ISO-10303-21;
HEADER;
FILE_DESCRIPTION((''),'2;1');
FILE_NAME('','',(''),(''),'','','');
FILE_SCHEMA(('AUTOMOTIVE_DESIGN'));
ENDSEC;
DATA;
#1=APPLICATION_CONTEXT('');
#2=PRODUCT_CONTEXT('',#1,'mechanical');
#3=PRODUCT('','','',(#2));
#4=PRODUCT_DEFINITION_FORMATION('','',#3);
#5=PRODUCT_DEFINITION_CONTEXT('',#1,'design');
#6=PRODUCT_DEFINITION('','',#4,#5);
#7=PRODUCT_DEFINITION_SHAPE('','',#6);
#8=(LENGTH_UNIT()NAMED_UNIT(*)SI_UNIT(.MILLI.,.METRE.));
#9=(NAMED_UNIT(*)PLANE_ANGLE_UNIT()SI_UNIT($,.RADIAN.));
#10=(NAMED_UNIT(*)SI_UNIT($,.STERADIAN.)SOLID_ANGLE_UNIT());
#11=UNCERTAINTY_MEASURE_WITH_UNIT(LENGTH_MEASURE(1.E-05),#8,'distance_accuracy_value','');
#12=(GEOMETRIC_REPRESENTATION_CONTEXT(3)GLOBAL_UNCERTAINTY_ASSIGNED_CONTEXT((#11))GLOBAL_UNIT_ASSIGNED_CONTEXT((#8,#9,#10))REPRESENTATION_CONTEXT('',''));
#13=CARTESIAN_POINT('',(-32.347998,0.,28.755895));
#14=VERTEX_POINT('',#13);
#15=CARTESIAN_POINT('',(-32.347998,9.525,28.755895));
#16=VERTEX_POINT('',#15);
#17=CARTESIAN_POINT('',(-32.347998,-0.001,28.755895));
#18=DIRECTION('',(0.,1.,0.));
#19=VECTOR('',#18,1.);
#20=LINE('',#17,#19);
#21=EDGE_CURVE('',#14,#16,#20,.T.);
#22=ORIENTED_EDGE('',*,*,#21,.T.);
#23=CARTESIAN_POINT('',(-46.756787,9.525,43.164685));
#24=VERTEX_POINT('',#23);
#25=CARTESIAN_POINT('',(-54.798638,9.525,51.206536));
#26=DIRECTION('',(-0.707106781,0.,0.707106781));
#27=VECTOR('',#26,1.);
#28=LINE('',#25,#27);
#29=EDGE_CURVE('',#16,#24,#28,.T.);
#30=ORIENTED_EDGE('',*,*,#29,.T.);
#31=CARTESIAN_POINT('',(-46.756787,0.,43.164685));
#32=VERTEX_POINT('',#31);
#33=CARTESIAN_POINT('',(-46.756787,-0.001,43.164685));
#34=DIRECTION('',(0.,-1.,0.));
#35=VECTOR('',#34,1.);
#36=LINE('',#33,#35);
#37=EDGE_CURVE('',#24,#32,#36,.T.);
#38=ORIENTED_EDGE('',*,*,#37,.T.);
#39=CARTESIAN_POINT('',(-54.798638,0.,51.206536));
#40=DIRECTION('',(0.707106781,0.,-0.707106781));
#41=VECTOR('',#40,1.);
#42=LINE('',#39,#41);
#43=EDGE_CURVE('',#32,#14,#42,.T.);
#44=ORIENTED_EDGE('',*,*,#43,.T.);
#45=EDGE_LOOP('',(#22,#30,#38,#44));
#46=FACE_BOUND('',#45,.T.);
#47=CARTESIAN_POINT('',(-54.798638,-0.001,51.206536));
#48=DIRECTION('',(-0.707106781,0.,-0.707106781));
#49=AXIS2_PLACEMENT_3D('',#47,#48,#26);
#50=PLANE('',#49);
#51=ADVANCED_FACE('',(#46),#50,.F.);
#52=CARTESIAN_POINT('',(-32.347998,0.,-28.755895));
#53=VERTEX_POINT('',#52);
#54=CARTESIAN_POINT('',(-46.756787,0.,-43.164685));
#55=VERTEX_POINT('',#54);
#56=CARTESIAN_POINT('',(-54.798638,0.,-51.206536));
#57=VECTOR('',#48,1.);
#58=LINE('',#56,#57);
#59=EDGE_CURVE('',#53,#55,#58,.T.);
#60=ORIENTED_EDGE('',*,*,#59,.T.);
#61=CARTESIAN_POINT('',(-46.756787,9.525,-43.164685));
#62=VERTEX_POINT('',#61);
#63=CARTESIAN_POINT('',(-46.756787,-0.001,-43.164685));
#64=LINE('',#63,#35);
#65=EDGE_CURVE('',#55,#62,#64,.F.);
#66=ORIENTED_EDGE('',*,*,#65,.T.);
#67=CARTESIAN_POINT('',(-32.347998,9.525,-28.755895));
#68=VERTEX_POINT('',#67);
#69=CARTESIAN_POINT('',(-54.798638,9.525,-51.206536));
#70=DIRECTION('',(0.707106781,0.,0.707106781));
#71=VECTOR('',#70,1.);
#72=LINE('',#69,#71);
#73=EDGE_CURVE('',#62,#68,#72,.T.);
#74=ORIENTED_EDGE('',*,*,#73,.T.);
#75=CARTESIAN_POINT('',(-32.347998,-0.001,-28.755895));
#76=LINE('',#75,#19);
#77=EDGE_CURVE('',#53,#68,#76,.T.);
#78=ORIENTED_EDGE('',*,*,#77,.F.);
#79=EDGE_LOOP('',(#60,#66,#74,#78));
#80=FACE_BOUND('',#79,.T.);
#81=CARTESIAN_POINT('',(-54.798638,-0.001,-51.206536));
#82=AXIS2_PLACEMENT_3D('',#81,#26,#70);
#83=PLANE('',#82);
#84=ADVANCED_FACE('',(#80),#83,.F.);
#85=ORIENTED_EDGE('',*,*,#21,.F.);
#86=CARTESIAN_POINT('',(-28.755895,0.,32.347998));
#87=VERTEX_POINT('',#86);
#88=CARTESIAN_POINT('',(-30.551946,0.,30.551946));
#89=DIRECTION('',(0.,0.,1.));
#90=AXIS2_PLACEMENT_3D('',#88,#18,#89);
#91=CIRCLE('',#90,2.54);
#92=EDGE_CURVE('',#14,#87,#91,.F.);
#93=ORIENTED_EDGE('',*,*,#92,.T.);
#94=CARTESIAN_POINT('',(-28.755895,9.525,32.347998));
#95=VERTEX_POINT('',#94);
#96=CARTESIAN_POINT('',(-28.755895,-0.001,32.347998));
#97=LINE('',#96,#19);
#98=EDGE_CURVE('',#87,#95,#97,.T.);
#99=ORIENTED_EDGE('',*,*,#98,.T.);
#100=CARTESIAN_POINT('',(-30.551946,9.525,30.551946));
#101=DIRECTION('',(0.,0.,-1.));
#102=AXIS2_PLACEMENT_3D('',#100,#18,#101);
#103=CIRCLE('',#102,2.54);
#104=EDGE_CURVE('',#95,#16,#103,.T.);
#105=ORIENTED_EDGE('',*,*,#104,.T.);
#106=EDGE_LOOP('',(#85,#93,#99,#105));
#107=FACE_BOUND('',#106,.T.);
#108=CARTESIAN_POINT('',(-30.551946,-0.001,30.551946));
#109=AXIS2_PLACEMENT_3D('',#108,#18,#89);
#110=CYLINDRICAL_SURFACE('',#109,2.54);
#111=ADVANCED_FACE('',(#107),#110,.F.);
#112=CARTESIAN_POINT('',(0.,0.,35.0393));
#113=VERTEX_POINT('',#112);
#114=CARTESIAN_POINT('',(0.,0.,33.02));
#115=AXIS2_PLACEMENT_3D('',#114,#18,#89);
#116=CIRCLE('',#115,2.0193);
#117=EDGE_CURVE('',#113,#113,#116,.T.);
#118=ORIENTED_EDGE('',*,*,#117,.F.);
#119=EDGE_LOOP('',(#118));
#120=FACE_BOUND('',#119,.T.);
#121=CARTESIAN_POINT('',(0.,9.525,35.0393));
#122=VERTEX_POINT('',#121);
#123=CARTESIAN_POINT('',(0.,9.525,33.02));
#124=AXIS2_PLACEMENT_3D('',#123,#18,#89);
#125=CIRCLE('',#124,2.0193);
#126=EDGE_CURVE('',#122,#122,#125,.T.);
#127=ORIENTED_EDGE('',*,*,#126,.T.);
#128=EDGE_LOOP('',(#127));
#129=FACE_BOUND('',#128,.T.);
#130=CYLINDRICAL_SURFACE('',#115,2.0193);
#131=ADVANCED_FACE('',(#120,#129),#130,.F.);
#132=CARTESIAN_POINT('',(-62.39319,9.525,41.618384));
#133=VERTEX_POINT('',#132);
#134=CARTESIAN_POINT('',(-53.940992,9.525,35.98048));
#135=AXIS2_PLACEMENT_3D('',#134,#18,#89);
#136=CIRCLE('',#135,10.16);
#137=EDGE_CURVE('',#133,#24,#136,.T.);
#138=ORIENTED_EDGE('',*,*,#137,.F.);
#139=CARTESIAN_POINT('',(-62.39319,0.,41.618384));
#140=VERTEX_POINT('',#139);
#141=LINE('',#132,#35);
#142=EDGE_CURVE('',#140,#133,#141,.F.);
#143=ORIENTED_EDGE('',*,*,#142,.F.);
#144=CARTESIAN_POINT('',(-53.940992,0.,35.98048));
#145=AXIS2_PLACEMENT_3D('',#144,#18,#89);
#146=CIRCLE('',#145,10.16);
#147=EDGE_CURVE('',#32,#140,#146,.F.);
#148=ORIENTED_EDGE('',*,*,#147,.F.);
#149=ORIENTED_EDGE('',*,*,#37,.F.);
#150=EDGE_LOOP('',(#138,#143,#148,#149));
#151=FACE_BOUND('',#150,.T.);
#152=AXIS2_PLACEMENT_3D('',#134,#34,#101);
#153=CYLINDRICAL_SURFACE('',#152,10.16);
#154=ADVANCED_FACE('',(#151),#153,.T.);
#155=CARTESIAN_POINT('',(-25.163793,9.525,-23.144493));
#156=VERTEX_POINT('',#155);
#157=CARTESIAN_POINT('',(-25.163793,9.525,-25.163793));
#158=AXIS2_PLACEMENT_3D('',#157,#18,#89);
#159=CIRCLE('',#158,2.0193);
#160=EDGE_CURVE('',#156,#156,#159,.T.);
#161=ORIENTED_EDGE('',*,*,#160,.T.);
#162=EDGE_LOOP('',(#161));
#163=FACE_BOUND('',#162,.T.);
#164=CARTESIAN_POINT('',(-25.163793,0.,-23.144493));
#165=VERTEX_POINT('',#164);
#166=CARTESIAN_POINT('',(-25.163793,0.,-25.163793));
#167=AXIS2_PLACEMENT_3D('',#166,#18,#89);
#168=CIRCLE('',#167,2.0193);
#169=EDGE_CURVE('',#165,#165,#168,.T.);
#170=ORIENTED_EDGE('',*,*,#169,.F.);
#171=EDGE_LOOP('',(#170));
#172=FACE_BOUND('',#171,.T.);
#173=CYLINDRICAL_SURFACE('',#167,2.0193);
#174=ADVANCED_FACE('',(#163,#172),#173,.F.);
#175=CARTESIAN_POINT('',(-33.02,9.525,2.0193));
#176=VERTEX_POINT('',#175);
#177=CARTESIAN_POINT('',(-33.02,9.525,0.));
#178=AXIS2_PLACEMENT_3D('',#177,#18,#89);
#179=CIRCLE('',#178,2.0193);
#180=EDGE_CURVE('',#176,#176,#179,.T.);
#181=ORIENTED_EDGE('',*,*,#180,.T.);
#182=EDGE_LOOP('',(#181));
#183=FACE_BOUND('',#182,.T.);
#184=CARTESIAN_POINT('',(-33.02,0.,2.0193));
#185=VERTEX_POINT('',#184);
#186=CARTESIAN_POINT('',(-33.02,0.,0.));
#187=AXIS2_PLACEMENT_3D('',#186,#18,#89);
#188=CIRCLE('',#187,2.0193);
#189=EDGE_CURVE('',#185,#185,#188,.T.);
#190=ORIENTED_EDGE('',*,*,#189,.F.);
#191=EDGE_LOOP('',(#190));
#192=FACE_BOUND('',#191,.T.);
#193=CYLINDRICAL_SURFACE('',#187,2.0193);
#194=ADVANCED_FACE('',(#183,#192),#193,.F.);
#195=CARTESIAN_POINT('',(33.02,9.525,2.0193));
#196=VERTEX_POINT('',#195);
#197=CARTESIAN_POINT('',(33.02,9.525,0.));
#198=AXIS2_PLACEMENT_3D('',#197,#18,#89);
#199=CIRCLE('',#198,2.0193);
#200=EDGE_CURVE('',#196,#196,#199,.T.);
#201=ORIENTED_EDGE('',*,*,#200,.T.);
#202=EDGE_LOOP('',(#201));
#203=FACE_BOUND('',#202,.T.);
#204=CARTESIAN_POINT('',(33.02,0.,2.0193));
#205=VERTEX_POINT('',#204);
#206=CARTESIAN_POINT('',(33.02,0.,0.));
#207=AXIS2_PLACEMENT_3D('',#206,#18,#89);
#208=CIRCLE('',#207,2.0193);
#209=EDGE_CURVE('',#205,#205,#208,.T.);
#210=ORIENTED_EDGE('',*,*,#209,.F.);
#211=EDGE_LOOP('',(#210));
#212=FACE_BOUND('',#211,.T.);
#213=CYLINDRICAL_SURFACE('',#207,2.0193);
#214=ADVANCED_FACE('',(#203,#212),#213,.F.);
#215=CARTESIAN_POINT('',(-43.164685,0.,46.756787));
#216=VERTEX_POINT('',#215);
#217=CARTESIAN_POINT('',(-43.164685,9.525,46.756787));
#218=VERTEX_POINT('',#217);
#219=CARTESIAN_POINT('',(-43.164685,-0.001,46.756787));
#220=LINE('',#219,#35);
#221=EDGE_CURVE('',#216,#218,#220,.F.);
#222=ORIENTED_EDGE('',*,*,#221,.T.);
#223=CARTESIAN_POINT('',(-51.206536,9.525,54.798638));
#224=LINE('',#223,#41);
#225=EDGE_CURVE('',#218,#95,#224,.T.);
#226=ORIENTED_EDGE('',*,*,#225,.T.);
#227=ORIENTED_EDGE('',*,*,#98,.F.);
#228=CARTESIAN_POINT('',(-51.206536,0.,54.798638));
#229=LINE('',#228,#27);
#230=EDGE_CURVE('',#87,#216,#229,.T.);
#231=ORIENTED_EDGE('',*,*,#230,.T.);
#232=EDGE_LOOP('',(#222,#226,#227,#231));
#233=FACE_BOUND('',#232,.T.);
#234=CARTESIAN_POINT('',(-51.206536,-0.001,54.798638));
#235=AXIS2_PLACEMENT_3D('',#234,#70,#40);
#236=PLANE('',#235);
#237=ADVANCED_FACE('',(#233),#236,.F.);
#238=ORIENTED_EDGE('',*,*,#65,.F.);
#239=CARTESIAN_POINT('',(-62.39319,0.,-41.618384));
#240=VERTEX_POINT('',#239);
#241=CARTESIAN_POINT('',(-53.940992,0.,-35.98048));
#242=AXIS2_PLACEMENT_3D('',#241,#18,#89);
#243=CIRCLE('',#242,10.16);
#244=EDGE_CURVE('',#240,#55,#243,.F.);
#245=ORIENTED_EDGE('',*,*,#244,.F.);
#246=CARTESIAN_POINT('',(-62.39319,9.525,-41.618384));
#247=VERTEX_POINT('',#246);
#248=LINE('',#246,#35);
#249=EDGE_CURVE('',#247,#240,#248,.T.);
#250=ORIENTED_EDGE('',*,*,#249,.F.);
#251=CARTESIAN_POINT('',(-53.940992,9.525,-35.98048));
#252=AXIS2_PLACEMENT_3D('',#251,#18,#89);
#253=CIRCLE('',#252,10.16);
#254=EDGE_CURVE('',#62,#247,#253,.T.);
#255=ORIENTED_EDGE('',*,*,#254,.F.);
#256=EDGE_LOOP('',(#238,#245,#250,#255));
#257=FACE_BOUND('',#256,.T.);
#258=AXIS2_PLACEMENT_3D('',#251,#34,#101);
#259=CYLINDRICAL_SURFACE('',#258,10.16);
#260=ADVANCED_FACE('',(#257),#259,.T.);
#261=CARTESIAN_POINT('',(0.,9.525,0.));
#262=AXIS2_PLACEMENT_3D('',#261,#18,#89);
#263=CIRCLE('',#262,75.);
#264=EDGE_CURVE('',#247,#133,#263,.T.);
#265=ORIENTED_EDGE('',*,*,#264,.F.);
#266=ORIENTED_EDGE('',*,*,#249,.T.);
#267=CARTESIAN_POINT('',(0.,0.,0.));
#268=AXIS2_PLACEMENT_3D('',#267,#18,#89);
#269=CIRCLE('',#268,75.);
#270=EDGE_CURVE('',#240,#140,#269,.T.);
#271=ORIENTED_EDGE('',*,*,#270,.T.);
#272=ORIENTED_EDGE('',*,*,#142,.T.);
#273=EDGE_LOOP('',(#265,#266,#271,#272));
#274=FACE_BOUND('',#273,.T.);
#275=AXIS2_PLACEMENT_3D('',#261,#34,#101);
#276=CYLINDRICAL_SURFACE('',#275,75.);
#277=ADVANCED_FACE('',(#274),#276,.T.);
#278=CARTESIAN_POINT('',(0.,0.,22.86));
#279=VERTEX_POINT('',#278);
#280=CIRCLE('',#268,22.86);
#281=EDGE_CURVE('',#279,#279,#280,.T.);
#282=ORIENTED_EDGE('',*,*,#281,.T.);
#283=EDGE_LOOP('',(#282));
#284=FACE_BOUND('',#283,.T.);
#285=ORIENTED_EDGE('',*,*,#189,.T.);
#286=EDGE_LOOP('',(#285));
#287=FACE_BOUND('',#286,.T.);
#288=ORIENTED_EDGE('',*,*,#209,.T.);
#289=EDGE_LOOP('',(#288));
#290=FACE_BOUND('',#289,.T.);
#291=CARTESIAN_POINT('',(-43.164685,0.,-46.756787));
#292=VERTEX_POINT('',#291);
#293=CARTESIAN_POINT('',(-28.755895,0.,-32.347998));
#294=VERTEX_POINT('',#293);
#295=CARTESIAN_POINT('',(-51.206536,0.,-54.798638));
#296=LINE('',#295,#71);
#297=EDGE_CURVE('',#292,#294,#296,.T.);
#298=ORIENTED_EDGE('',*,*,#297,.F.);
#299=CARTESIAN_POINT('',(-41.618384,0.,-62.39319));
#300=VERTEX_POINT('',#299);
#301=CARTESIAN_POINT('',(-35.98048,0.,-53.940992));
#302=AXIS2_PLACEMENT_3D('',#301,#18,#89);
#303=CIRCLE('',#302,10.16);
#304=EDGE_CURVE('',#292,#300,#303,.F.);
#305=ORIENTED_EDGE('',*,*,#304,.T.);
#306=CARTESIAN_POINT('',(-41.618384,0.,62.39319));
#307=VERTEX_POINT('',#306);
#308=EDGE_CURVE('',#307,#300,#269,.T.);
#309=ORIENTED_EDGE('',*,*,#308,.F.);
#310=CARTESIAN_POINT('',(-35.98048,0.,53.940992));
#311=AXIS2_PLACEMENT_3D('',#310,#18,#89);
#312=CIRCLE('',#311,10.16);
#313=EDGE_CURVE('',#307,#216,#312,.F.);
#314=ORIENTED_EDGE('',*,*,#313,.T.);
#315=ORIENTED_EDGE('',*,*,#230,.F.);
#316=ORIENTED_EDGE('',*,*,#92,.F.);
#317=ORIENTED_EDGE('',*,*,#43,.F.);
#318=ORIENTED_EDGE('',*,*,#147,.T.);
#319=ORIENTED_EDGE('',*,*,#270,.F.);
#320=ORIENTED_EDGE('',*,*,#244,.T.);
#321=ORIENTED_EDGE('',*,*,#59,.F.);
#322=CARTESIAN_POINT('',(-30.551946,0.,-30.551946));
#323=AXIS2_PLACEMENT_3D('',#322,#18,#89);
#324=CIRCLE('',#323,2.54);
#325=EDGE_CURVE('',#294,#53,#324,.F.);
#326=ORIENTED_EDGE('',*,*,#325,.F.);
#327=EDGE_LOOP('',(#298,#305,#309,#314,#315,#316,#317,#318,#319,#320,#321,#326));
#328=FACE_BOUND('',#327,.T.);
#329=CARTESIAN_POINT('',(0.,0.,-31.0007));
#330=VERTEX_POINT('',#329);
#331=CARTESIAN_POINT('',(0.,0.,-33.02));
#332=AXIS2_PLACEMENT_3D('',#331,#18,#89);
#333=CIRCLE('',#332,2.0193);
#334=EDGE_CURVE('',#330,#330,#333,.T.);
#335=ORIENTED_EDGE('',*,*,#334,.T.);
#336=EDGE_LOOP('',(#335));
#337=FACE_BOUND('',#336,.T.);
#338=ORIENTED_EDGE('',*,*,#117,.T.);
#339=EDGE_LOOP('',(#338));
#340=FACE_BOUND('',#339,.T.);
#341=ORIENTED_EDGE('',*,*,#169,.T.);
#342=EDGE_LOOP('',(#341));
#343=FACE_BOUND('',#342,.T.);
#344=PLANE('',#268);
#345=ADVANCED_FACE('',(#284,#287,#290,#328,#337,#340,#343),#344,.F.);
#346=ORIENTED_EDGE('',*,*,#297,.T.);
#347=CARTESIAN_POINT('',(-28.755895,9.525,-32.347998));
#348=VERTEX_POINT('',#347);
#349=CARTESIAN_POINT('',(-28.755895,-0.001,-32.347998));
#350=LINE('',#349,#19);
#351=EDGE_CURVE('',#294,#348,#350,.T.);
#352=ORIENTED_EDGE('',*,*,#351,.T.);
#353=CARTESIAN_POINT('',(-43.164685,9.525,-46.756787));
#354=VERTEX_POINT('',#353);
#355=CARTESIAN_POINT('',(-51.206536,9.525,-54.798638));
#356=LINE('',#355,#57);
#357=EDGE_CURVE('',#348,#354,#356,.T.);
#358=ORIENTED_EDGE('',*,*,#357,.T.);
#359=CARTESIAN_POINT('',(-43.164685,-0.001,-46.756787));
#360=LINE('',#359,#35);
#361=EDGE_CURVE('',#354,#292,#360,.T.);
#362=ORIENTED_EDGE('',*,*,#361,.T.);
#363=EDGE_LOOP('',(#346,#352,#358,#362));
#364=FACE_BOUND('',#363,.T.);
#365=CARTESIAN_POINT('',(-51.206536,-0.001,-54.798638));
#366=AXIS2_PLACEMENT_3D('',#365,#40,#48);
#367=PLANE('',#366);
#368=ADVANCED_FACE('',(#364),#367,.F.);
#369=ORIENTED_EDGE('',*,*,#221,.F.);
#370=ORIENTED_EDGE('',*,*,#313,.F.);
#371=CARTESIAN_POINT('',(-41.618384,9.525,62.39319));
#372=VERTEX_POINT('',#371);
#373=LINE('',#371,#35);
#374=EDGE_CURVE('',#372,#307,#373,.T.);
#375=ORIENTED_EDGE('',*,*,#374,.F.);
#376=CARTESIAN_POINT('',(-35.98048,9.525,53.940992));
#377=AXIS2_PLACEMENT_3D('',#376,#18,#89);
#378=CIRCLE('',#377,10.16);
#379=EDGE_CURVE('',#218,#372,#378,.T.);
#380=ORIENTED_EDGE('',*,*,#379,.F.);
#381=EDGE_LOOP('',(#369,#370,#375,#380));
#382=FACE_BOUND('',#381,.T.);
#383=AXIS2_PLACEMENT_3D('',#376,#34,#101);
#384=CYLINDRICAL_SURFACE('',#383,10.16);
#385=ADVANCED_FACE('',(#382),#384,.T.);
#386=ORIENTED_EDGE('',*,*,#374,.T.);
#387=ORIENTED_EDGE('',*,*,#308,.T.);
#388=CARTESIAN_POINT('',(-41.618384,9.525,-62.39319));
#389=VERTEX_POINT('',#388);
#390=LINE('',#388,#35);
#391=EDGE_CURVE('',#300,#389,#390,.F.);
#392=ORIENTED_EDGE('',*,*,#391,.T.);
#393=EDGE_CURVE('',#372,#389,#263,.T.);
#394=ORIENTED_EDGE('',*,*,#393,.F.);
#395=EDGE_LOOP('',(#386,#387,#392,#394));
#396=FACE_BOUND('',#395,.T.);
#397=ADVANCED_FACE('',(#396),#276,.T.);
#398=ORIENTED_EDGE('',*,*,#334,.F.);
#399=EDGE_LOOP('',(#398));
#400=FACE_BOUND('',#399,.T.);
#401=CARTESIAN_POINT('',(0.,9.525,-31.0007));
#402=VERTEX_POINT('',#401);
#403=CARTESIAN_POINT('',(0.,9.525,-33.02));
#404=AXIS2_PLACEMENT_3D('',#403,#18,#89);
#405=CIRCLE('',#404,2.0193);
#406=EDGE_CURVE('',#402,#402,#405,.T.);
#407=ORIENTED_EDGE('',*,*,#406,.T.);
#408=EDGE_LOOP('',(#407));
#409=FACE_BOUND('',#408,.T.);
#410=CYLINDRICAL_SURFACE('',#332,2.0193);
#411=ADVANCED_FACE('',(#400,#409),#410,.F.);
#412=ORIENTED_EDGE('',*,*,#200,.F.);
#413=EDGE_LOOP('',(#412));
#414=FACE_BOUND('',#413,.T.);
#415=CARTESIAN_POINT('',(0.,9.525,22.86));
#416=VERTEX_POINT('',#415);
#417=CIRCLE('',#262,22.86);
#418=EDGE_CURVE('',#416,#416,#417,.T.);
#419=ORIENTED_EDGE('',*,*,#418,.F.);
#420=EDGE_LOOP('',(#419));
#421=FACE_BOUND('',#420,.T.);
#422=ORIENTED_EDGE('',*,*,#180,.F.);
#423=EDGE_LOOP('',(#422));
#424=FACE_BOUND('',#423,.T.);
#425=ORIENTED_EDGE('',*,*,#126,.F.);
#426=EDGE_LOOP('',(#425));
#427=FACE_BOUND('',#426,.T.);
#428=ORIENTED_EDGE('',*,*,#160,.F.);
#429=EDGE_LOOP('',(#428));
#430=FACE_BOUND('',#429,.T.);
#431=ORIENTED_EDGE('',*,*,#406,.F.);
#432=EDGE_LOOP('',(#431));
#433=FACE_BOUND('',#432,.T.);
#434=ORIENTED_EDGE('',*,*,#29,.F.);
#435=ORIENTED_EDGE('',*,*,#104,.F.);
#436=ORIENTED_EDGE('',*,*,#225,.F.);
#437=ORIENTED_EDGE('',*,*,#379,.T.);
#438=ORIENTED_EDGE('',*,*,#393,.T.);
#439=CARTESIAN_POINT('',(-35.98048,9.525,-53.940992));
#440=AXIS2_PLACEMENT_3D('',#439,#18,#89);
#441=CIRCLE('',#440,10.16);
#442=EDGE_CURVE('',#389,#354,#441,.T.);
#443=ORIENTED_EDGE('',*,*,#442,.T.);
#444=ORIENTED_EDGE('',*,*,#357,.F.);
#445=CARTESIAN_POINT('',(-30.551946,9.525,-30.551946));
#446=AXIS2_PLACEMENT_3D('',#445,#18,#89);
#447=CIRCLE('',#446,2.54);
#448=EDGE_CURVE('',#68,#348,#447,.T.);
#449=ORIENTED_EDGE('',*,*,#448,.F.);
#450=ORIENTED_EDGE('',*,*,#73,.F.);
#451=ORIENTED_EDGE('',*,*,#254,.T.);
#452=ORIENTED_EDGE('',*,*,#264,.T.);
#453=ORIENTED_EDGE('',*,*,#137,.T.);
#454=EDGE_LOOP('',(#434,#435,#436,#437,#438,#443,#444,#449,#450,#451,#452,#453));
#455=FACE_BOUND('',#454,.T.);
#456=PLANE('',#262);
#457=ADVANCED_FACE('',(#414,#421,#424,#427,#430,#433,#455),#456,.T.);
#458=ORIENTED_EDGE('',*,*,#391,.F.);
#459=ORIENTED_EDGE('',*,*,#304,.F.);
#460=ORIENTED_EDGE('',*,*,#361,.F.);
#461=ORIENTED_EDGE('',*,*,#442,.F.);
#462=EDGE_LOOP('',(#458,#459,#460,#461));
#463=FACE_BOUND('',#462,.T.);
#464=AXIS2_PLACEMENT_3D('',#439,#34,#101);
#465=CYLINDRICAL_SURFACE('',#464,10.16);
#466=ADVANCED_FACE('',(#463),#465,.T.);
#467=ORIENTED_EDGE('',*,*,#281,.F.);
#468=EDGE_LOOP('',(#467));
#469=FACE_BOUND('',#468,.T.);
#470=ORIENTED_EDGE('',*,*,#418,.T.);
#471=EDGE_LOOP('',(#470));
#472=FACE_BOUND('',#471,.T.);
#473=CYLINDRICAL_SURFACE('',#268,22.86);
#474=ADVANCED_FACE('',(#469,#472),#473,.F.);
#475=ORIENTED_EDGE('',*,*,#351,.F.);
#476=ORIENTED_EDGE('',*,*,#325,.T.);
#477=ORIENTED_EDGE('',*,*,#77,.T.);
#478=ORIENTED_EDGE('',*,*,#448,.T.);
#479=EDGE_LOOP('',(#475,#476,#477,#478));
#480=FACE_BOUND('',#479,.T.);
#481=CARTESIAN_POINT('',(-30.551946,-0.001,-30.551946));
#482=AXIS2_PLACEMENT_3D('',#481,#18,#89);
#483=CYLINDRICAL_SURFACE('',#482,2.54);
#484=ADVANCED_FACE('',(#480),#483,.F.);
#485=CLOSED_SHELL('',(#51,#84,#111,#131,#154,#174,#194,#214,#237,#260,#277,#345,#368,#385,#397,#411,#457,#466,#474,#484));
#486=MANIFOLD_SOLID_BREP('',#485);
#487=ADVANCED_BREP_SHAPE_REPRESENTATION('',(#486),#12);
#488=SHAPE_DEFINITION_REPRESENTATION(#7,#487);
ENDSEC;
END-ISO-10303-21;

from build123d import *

# Parameters (mm, degrees)
SKETCH1_R           = 75
BOSS_EXTRUDE1_DEPTH = 9.525
CUT_EXTRUDE2_REACH  = 108.493
FILLET1_R           = 10.16
SKETCH39_R          = 22.86
SKETCH39_R_2        = 2.0193
CUT_EXTRUDE30_DEPTH = 247.31360274
SKETCH42_R          = 2.0193
CUT_EXTRUDE33_DEPTH = 247.31360274


with BuildPart() as part:
    # Sketch1 → Boss-Extrude1 (new body)
    with BuildSketch(Plane(origin=(0, 0, 0), x_dir=(1, 0, 0), z_dir=(0, 1, 0))):
        with Locations(Location((0, 0, 0), (0, 0, 90))):
            Circle(SKETCH1_R)
    extrude(amount=BOSS_EXTRUDE1_DEPTH)

    # Sketch11 → Cut-Extrude2 (cut, up to next)
    with BuildSketch(Plane(origin=(0, 9.525, 0), x_dir=(1, 0, 0), z_dir=(0, 1, 0)), mode=Mode.PRIVATE) as cut_extrude2_sk1:
        with BuildLine():
            Line((-54.798637954, 51.206535505), (-32.347997651, 28.755895202))
            ThreePointArc((-32.347997651, 28.755895202), (-28.755895202, 28.755895202), (-28.755895202, 32.347997651))
            Line((-28.755895202, 32.347997651), (-51.206535505, 54.798637954))
            ThreePointArc((-51.206535505, 54.798637954), (-53.033008589, 53.033008589), (-54.798637954, 51.206535505))
        make_face()
    cut_extrude2_tool1 = extrude(cut_extrude2_sk1.sketch, amount=-CUT_EXTRUDE2_REACH, mode=Mode.PRIVATE) & part.part
    # Sketch11 → Cut-Extrude2 (cut, up to next)
    with BuildSketch(Plane(origin=(0, 9.525, 0), x_dir=(1, 0, 0), z_dir=(0, 1, 0)), mode=Mode.PRIVATE) as cut_extrude2_sk2:
        with BuildLine():
            Line((-51.206535505, -54.798637954), (-28.755895202, -32.347997651))
            ThreePointArc((-28.755895202, -32.347997651), (-28.755895202, -28.755895202), (-32.347997651, -28.755895202))
            Line((-32.347997651, -28.755895202), (-54.798637954, -51.206535505))
            ThreePointArc((-54.798637954, -51.206535505), (-53.033008589, -53.033008589), (-51.206535505, -54.798637954))
        make_face()
    cut_extrude2_tool2 = extrude(cut_extrude2_sk2.sketch, amount=-CUT_EXTRUDE2_REACH, mode=Mode.PRIVATE) & part.part
    add(cut_extrude2_tool1.solids().sort_by_distance((-41.078737, 9.525, -41.078737))[0], mode=Mode.SUBTRACT)
    add(cut_extrude2_tool2.solids().sort_by_distance((-41.078737, 9.525, 41.078737))[0], mode=Mode.SUBTRACT)

    # Fillet1
    fillet1_edges = [part.edges().sort_by_distance(p)[0] for p in [
        (-51.206535505, 4.7625, 54.798637954),
        (-54.798637954, 4.7625, 51.206535505),
        (-54.798637954, 4.7625, -51.206535505),
        (-51.206535505, 4.7625, -54.798637954),
    ]]
    fillet(fillet1_edges, radius=FILLET1_R)

    # Sketch39 → Cut-Extrude30 (cut, through all)
    with BuildSketch(Plane(origin=(-73.768816189, 9.525, -121.080352405), x_dir=(1, 0, 0), z_dir=(0, 1, 0))):
        with Locations(Location((73.768816189, -121.080352405, 0), (0, 0, 270))):
            Circle(SKETCH39_R)
        with Locations(Location((73.768816189, -88.060352405, 0), (0, 0, 270))):
            Circle(SKETCH39_R_2)
        with Locations(Location((106.788816189, -121.080352405, 0), (0, 0, 270))):
            Circle(SKETCH39_R_2)
        with Locations(Location((73.768816189, -154.100352405, 0), (0, 0, 270))):
            Circle(SKETCH39_R_2)
        with Locations(Location((40.748816189, -121.080352405, 0), (0, 0, 270))):
            Circle(SKETCH39_R_2)
    extrude(amount=-CUT_EXTRUDE30_DEPTH, mode=Mode.SUBTRACT)

    # Sketch42 → Cut-Extrude33 (cut, through all)
    with BuildSketch(Plane(origin=(-73.768816189, 9.525, -121.080352405), x_dir=(1, 0, 0), z_dir=(0, 1, 0))):
        with Locations(Location((48.605023435, -95.916559651, 0), (0, 0, 270))):
            Circle(SKETCH42_R)
    extrude(amount=-CUT_EXTRUDE33_DEPTH, mode=Mode.SUBTRACT)


solid = part.part
